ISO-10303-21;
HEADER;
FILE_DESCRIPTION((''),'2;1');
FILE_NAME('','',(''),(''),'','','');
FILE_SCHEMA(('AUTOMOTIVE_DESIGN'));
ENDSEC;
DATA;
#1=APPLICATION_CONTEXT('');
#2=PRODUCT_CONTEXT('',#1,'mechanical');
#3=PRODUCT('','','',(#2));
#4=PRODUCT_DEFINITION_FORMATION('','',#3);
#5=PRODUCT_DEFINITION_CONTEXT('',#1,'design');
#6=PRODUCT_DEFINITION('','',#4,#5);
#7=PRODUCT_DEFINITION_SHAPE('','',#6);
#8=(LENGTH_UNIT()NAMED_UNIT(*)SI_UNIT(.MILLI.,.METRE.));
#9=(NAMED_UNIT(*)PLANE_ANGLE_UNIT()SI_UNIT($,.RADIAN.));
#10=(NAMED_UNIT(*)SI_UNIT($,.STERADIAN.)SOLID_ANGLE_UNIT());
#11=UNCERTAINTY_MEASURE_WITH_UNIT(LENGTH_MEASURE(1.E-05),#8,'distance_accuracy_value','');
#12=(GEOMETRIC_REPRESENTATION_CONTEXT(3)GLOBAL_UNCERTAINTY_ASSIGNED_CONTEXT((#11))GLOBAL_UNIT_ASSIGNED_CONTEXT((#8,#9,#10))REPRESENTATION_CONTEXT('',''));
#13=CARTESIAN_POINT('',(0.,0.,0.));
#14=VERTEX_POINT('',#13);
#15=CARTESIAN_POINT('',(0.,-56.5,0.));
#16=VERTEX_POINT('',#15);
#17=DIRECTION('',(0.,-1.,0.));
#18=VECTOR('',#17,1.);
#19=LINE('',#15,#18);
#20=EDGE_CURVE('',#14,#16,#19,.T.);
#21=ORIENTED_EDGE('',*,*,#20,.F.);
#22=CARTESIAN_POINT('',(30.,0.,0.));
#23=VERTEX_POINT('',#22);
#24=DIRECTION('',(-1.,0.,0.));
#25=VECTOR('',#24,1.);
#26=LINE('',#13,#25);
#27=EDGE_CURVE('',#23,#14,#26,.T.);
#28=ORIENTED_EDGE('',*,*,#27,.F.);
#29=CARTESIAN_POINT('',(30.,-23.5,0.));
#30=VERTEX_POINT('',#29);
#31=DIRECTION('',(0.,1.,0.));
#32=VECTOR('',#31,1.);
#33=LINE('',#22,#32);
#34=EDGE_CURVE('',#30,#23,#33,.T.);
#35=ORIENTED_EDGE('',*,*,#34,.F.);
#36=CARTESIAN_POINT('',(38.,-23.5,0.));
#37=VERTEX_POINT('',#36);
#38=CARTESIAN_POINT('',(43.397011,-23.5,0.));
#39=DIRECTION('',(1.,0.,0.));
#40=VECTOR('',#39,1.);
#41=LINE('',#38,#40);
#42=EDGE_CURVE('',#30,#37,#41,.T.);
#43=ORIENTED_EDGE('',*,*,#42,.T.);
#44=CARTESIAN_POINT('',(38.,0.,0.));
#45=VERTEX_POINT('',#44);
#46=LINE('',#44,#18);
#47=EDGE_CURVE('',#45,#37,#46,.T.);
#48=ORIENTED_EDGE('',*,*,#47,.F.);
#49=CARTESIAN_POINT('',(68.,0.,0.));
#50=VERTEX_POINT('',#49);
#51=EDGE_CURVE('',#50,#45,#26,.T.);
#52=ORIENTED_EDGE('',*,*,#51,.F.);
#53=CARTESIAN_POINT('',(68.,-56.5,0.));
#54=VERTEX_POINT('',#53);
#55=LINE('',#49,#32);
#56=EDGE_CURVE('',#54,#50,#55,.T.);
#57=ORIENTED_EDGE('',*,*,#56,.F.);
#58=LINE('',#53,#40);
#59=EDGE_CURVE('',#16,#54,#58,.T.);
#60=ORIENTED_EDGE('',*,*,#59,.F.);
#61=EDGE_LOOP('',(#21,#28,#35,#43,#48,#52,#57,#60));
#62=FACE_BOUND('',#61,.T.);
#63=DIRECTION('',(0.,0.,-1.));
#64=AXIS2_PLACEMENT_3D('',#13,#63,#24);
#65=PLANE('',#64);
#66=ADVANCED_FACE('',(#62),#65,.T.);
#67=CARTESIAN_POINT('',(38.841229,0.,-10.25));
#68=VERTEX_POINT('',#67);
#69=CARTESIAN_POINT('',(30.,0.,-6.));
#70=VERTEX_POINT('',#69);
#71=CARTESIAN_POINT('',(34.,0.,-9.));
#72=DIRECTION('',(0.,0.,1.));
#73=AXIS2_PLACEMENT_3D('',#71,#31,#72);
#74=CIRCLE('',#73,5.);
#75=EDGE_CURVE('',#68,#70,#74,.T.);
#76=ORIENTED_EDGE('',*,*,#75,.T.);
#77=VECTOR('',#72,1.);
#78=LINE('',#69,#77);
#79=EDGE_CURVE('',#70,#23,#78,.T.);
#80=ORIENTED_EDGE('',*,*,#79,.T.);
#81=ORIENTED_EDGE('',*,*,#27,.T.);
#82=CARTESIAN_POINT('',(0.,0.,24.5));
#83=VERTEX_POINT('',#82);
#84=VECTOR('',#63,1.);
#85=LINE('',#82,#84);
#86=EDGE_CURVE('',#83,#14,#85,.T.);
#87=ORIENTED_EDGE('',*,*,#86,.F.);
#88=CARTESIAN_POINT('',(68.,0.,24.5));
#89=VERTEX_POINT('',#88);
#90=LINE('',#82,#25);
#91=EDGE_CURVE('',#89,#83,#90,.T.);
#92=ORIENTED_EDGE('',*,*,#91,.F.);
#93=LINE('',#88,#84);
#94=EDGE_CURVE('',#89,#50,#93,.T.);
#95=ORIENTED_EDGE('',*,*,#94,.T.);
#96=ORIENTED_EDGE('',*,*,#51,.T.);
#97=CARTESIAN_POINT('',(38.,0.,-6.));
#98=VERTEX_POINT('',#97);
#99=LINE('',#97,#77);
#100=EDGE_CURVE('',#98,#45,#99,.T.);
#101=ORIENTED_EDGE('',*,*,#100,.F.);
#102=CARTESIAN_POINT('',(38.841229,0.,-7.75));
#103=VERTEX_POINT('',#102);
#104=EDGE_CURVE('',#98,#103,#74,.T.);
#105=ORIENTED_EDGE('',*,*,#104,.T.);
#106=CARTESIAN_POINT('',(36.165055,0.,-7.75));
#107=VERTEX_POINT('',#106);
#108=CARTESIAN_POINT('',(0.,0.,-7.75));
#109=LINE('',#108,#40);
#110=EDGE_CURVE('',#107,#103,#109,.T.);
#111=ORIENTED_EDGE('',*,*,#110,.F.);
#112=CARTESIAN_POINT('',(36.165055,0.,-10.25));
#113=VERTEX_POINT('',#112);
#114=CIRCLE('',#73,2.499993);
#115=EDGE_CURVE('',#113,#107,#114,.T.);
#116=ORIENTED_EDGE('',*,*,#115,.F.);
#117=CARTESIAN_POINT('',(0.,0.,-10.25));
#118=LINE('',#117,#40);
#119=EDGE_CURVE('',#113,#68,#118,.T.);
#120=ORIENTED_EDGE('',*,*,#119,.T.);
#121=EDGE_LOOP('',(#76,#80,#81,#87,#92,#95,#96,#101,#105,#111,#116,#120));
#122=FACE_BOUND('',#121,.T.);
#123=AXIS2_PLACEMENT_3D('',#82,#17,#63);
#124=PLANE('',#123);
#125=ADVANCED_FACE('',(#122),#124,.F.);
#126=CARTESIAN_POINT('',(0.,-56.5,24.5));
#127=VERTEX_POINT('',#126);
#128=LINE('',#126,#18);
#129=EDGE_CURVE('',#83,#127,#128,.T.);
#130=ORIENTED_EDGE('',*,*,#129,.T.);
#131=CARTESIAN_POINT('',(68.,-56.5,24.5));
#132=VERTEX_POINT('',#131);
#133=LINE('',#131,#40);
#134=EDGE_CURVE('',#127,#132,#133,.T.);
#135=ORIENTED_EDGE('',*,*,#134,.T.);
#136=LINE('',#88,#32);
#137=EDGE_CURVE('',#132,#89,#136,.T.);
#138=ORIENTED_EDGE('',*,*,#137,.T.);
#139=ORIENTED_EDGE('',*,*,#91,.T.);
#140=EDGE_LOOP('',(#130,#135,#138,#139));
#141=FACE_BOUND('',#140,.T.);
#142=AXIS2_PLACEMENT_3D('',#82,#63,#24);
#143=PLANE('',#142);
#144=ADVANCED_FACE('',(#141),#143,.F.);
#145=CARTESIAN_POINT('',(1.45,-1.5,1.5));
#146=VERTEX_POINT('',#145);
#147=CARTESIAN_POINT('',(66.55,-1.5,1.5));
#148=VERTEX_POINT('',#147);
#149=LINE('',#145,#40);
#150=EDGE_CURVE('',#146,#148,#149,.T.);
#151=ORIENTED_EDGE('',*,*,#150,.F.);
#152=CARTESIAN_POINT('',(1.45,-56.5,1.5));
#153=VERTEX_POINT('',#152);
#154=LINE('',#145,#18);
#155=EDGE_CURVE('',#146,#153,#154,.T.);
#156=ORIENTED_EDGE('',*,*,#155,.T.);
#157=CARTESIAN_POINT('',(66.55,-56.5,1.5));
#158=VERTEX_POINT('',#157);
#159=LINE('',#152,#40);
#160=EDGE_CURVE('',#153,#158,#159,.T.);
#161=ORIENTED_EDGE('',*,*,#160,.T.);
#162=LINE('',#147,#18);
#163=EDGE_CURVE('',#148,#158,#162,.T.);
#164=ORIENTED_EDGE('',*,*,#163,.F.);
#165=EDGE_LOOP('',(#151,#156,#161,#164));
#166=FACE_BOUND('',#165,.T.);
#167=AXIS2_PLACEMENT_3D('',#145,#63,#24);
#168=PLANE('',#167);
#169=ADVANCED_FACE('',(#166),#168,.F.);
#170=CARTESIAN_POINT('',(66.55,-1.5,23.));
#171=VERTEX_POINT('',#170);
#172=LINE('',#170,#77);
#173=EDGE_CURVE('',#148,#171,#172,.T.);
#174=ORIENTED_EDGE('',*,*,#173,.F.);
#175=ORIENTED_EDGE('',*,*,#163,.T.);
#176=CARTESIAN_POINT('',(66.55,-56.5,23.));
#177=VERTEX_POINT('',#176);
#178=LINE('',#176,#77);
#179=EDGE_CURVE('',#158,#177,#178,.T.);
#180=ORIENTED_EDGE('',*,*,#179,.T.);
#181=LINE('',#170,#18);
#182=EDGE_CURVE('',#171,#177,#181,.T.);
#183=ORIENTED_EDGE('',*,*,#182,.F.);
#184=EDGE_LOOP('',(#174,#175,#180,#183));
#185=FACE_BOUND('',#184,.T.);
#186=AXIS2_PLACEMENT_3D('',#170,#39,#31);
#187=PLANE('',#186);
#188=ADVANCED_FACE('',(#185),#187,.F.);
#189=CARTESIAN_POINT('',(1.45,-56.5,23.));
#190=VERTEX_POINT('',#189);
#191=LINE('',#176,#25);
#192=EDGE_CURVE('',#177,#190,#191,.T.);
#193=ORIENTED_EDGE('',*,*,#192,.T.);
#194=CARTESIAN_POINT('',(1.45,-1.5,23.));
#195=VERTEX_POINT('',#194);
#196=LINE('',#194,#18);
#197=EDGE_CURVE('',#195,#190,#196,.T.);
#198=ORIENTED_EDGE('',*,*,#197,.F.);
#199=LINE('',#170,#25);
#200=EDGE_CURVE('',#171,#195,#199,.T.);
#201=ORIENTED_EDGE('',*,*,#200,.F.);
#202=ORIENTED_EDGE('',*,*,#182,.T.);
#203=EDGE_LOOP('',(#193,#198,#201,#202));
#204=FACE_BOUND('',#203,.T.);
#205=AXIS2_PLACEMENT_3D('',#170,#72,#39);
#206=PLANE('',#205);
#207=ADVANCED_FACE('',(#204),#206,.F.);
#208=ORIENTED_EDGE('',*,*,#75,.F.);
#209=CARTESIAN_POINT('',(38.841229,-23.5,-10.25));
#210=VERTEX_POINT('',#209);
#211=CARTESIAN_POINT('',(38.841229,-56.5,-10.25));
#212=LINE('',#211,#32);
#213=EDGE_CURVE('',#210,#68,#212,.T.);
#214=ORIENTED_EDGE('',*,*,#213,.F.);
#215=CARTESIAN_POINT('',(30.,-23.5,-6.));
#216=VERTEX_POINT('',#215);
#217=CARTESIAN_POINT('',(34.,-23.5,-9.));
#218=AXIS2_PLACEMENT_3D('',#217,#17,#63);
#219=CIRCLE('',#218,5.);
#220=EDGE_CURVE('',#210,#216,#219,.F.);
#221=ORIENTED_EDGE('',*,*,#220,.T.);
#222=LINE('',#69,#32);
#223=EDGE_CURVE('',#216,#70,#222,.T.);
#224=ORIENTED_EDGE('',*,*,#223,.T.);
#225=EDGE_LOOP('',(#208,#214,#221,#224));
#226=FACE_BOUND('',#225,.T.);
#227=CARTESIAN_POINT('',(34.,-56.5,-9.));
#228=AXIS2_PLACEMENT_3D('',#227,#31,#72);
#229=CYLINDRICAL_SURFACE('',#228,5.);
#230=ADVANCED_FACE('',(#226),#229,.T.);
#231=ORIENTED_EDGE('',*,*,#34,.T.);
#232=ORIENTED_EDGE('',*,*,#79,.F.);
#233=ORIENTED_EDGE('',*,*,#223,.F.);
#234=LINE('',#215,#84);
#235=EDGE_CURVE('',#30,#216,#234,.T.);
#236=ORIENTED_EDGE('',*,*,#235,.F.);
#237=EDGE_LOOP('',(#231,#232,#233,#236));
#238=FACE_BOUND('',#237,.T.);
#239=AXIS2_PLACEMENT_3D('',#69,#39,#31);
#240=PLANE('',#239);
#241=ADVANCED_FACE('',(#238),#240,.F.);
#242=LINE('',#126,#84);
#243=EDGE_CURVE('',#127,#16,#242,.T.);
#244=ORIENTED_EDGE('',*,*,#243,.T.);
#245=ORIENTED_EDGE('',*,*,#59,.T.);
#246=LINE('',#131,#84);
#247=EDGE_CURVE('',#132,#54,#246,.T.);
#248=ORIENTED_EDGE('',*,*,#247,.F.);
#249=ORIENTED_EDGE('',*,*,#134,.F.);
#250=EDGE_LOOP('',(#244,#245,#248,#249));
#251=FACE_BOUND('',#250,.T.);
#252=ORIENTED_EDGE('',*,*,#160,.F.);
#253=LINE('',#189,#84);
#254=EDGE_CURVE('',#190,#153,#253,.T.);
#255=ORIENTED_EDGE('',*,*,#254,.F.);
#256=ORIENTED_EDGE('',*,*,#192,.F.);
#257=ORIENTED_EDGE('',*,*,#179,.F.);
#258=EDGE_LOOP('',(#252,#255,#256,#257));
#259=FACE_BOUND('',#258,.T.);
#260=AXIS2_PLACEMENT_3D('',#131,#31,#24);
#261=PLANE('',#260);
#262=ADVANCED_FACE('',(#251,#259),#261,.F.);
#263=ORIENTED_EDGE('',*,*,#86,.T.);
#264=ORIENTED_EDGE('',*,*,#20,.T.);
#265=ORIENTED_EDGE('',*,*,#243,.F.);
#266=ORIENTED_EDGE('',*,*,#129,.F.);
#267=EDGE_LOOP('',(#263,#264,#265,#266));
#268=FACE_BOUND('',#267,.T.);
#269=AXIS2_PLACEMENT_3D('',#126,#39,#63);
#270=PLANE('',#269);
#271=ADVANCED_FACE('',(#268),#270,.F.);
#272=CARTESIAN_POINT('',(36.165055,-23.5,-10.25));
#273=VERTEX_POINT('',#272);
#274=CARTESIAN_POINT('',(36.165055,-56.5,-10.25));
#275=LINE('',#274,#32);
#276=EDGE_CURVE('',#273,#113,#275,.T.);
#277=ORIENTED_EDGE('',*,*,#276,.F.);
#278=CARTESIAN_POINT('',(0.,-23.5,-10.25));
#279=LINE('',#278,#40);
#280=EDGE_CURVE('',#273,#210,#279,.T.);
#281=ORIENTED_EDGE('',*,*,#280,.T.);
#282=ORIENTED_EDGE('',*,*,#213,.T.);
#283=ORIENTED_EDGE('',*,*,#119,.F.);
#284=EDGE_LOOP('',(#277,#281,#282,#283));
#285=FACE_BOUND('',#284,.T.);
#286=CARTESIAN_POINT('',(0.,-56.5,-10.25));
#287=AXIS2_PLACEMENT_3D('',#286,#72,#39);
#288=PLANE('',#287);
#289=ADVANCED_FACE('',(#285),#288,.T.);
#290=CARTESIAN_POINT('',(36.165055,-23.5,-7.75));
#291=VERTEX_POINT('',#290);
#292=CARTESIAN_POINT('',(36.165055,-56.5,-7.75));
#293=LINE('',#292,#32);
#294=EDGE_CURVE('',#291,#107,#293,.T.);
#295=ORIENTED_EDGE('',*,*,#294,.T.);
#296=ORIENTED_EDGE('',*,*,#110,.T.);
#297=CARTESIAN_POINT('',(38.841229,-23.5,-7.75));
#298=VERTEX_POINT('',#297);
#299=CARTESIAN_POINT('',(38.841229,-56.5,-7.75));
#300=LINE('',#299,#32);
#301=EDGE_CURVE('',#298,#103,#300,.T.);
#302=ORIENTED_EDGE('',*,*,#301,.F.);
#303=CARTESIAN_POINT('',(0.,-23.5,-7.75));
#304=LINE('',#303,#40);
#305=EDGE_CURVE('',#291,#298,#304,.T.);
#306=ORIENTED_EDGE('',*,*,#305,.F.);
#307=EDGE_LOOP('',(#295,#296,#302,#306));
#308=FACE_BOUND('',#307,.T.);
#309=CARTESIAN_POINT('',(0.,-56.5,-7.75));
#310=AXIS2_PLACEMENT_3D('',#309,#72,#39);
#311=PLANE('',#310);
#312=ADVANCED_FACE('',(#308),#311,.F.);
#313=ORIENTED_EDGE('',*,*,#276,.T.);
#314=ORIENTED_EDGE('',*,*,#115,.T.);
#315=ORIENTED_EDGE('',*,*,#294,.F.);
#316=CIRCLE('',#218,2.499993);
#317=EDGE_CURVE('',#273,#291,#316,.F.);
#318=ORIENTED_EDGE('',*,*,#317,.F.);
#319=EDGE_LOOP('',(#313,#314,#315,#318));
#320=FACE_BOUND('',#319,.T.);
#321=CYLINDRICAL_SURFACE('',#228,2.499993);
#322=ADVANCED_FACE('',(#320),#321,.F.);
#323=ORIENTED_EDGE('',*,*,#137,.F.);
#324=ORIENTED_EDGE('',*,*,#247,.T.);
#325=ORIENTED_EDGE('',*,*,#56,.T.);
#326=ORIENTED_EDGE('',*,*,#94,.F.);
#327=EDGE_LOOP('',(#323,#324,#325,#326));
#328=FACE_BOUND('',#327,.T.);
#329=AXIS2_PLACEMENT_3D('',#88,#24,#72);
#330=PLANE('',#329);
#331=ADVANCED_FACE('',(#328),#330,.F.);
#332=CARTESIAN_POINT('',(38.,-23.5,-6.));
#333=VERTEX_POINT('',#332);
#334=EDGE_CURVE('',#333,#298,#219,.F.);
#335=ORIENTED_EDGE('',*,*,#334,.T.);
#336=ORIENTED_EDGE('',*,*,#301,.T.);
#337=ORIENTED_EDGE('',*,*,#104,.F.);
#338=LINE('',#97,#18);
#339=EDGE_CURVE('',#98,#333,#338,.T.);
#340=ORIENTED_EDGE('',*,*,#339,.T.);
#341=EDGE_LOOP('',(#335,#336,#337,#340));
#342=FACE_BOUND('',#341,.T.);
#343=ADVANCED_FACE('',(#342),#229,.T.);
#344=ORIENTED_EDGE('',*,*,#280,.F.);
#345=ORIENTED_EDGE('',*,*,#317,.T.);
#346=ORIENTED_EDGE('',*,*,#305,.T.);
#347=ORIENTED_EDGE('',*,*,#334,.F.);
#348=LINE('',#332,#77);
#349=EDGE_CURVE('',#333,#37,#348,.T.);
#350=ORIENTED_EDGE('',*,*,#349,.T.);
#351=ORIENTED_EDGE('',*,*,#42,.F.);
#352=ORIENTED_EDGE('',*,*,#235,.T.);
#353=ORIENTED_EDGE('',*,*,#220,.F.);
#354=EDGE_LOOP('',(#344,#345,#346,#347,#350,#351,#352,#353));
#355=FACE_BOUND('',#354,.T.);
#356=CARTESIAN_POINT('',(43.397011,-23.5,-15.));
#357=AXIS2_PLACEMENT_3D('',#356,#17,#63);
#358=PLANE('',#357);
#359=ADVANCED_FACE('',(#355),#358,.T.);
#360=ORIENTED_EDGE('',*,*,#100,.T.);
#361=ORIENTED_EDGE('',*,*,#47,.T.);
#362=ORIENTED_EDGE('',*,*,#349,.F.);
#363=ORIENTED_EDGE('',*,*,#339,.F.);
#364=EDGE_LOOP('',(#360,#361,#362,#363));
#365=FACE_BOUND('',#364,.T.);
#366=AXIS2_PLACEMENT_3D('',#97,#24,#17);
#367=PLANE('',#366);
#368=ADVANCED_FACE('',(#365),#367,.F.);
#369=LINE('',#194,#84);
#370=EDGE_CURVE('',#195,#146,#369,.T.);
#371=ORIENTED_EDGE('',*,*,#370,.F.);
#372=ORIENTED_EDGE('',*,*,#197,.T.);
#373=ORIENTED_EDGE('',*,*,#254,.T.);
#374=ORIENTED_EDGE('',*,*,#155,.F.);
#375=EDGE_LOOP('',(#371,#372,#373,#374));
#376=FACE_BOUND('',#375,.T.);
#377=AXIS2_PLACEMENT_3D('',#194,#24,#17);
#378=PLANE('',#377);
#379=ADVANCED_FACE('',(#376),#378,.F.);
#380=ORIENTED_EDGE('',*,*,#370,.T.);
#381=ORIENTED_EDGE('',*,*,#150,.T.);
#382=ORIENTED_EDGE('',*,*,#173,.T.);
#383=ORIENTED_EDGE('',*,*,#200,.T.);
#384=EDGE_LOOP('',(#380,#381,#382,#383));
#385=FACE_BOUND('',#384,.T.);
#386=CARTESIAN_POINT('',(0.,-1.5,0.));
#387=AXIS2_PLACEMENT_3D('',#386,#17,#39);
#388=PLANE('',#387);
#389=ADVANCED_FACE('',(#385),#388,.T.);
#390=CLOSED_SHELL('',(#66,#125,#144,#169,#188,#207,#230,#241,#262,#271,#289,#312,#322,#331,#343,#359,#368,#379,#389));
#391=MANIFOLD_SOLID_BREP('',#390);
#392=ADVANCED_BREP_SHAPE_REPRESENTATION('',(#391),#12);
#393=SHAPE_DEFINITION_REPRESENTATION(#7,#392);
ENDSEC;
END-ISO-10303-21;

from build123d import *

# Parameters (mm, degrees)
SKETCH_1_W          = 68
SKETCH_1_H          = 56.5
EXTRUDE_1_DEPTH     = 24.5
SKETCH_4_W          = 65.1
SKETCH_4_H          = 21.5
CUT_EXTRUDE_2_DEPTH = 55
SKETCH_6_W          = 8
SKETCH_6_H          = 56.5
EXTRUDE_3_DEPTH     = 6
EXTRUDE_4_DEPTH     = 56.5
SKETCH_9_W          = 19
SKETCH_9_H          = 33
CUT_EXTRUDE_3_DEPTH = 15


with BuildPart() as part:
    # 草图1 → 凸台-拉伸1 (new body)
    with BuildSketch(Plane.XY):
        with Locations((34, -28.25)):
            Rectangle(SKETCH_1_W, SKETCH_1_H)
    extrude(amount=EXTRUDE_1_DEPTH)

    # 草图4 → 切除-拉伸2 (cut)
    with BuildSketch(Plane.XZ.offset(56.5)):
        with Locations((34, 12.25)):
            Rectangle(SKETCH_4_W, SKETCH_4_H)
    extrude(amount=-CUT_EXTRUDE_2_DEPTH, mode=Mode.SUBTRACT)

    # 草图6 → 凸台-拉伸3 (add)
    with BuildSketch(Plane(origin=(0, 0, 0), x_dir=(-1, 0, 0), z_dir=(0, 0, -1))):
        with Locations((-34, -28.25)):
            Rectangle(SKETCH_6_W, SKETCH_6_H)
    extrude(amount=EXTRUDE_3_DEPTH)

    # 草图8 → 凸台-拉伸4 (add)
    with BuildSketch(Plane(origin=(0, 0, 0), x_dir=(1, 0, 0), z_dir=(0, 1, 0))):
        with BuildLine():
            Line((34, 6), (38, 6))
            ThreePointArc((38, 6), (38.50637974, 6.833772488), (38.841229183, 7.75))
            Line((38.841229183, 7.75), (36.165055224, 7.75))
            ThreePointArc((36.165055224, 7.75), (31.500007176, 9), (36.165055224, 10.25))
            Line((36.165055224, 10.25), (38.841229183, 10.25))
            ThreePointArc((38.841229183, 10.25), (31.833772488, 13.50637974), (30, 6))
            Line((30, 6), (34, 6))
        make_face()
    extrude(amount=-EXTRUDE_4_DEPTH)

    # 草图9 → 切除-拉伸3 (cut)
    with BuildSketch(Plane(origin=(0, 0, 0), x_dir=(-1, 0, 0), z_dir=(0, 0, -1))):
        with Locations((-33.897010853, -40)):
            Rectangle(SKETCH_9_W, SKETCH_9_H)
    extrude(amount=CUT_EXTRUDE_3_DEPTH, mode=Mode.SUBTRACT)


solid = part.part
